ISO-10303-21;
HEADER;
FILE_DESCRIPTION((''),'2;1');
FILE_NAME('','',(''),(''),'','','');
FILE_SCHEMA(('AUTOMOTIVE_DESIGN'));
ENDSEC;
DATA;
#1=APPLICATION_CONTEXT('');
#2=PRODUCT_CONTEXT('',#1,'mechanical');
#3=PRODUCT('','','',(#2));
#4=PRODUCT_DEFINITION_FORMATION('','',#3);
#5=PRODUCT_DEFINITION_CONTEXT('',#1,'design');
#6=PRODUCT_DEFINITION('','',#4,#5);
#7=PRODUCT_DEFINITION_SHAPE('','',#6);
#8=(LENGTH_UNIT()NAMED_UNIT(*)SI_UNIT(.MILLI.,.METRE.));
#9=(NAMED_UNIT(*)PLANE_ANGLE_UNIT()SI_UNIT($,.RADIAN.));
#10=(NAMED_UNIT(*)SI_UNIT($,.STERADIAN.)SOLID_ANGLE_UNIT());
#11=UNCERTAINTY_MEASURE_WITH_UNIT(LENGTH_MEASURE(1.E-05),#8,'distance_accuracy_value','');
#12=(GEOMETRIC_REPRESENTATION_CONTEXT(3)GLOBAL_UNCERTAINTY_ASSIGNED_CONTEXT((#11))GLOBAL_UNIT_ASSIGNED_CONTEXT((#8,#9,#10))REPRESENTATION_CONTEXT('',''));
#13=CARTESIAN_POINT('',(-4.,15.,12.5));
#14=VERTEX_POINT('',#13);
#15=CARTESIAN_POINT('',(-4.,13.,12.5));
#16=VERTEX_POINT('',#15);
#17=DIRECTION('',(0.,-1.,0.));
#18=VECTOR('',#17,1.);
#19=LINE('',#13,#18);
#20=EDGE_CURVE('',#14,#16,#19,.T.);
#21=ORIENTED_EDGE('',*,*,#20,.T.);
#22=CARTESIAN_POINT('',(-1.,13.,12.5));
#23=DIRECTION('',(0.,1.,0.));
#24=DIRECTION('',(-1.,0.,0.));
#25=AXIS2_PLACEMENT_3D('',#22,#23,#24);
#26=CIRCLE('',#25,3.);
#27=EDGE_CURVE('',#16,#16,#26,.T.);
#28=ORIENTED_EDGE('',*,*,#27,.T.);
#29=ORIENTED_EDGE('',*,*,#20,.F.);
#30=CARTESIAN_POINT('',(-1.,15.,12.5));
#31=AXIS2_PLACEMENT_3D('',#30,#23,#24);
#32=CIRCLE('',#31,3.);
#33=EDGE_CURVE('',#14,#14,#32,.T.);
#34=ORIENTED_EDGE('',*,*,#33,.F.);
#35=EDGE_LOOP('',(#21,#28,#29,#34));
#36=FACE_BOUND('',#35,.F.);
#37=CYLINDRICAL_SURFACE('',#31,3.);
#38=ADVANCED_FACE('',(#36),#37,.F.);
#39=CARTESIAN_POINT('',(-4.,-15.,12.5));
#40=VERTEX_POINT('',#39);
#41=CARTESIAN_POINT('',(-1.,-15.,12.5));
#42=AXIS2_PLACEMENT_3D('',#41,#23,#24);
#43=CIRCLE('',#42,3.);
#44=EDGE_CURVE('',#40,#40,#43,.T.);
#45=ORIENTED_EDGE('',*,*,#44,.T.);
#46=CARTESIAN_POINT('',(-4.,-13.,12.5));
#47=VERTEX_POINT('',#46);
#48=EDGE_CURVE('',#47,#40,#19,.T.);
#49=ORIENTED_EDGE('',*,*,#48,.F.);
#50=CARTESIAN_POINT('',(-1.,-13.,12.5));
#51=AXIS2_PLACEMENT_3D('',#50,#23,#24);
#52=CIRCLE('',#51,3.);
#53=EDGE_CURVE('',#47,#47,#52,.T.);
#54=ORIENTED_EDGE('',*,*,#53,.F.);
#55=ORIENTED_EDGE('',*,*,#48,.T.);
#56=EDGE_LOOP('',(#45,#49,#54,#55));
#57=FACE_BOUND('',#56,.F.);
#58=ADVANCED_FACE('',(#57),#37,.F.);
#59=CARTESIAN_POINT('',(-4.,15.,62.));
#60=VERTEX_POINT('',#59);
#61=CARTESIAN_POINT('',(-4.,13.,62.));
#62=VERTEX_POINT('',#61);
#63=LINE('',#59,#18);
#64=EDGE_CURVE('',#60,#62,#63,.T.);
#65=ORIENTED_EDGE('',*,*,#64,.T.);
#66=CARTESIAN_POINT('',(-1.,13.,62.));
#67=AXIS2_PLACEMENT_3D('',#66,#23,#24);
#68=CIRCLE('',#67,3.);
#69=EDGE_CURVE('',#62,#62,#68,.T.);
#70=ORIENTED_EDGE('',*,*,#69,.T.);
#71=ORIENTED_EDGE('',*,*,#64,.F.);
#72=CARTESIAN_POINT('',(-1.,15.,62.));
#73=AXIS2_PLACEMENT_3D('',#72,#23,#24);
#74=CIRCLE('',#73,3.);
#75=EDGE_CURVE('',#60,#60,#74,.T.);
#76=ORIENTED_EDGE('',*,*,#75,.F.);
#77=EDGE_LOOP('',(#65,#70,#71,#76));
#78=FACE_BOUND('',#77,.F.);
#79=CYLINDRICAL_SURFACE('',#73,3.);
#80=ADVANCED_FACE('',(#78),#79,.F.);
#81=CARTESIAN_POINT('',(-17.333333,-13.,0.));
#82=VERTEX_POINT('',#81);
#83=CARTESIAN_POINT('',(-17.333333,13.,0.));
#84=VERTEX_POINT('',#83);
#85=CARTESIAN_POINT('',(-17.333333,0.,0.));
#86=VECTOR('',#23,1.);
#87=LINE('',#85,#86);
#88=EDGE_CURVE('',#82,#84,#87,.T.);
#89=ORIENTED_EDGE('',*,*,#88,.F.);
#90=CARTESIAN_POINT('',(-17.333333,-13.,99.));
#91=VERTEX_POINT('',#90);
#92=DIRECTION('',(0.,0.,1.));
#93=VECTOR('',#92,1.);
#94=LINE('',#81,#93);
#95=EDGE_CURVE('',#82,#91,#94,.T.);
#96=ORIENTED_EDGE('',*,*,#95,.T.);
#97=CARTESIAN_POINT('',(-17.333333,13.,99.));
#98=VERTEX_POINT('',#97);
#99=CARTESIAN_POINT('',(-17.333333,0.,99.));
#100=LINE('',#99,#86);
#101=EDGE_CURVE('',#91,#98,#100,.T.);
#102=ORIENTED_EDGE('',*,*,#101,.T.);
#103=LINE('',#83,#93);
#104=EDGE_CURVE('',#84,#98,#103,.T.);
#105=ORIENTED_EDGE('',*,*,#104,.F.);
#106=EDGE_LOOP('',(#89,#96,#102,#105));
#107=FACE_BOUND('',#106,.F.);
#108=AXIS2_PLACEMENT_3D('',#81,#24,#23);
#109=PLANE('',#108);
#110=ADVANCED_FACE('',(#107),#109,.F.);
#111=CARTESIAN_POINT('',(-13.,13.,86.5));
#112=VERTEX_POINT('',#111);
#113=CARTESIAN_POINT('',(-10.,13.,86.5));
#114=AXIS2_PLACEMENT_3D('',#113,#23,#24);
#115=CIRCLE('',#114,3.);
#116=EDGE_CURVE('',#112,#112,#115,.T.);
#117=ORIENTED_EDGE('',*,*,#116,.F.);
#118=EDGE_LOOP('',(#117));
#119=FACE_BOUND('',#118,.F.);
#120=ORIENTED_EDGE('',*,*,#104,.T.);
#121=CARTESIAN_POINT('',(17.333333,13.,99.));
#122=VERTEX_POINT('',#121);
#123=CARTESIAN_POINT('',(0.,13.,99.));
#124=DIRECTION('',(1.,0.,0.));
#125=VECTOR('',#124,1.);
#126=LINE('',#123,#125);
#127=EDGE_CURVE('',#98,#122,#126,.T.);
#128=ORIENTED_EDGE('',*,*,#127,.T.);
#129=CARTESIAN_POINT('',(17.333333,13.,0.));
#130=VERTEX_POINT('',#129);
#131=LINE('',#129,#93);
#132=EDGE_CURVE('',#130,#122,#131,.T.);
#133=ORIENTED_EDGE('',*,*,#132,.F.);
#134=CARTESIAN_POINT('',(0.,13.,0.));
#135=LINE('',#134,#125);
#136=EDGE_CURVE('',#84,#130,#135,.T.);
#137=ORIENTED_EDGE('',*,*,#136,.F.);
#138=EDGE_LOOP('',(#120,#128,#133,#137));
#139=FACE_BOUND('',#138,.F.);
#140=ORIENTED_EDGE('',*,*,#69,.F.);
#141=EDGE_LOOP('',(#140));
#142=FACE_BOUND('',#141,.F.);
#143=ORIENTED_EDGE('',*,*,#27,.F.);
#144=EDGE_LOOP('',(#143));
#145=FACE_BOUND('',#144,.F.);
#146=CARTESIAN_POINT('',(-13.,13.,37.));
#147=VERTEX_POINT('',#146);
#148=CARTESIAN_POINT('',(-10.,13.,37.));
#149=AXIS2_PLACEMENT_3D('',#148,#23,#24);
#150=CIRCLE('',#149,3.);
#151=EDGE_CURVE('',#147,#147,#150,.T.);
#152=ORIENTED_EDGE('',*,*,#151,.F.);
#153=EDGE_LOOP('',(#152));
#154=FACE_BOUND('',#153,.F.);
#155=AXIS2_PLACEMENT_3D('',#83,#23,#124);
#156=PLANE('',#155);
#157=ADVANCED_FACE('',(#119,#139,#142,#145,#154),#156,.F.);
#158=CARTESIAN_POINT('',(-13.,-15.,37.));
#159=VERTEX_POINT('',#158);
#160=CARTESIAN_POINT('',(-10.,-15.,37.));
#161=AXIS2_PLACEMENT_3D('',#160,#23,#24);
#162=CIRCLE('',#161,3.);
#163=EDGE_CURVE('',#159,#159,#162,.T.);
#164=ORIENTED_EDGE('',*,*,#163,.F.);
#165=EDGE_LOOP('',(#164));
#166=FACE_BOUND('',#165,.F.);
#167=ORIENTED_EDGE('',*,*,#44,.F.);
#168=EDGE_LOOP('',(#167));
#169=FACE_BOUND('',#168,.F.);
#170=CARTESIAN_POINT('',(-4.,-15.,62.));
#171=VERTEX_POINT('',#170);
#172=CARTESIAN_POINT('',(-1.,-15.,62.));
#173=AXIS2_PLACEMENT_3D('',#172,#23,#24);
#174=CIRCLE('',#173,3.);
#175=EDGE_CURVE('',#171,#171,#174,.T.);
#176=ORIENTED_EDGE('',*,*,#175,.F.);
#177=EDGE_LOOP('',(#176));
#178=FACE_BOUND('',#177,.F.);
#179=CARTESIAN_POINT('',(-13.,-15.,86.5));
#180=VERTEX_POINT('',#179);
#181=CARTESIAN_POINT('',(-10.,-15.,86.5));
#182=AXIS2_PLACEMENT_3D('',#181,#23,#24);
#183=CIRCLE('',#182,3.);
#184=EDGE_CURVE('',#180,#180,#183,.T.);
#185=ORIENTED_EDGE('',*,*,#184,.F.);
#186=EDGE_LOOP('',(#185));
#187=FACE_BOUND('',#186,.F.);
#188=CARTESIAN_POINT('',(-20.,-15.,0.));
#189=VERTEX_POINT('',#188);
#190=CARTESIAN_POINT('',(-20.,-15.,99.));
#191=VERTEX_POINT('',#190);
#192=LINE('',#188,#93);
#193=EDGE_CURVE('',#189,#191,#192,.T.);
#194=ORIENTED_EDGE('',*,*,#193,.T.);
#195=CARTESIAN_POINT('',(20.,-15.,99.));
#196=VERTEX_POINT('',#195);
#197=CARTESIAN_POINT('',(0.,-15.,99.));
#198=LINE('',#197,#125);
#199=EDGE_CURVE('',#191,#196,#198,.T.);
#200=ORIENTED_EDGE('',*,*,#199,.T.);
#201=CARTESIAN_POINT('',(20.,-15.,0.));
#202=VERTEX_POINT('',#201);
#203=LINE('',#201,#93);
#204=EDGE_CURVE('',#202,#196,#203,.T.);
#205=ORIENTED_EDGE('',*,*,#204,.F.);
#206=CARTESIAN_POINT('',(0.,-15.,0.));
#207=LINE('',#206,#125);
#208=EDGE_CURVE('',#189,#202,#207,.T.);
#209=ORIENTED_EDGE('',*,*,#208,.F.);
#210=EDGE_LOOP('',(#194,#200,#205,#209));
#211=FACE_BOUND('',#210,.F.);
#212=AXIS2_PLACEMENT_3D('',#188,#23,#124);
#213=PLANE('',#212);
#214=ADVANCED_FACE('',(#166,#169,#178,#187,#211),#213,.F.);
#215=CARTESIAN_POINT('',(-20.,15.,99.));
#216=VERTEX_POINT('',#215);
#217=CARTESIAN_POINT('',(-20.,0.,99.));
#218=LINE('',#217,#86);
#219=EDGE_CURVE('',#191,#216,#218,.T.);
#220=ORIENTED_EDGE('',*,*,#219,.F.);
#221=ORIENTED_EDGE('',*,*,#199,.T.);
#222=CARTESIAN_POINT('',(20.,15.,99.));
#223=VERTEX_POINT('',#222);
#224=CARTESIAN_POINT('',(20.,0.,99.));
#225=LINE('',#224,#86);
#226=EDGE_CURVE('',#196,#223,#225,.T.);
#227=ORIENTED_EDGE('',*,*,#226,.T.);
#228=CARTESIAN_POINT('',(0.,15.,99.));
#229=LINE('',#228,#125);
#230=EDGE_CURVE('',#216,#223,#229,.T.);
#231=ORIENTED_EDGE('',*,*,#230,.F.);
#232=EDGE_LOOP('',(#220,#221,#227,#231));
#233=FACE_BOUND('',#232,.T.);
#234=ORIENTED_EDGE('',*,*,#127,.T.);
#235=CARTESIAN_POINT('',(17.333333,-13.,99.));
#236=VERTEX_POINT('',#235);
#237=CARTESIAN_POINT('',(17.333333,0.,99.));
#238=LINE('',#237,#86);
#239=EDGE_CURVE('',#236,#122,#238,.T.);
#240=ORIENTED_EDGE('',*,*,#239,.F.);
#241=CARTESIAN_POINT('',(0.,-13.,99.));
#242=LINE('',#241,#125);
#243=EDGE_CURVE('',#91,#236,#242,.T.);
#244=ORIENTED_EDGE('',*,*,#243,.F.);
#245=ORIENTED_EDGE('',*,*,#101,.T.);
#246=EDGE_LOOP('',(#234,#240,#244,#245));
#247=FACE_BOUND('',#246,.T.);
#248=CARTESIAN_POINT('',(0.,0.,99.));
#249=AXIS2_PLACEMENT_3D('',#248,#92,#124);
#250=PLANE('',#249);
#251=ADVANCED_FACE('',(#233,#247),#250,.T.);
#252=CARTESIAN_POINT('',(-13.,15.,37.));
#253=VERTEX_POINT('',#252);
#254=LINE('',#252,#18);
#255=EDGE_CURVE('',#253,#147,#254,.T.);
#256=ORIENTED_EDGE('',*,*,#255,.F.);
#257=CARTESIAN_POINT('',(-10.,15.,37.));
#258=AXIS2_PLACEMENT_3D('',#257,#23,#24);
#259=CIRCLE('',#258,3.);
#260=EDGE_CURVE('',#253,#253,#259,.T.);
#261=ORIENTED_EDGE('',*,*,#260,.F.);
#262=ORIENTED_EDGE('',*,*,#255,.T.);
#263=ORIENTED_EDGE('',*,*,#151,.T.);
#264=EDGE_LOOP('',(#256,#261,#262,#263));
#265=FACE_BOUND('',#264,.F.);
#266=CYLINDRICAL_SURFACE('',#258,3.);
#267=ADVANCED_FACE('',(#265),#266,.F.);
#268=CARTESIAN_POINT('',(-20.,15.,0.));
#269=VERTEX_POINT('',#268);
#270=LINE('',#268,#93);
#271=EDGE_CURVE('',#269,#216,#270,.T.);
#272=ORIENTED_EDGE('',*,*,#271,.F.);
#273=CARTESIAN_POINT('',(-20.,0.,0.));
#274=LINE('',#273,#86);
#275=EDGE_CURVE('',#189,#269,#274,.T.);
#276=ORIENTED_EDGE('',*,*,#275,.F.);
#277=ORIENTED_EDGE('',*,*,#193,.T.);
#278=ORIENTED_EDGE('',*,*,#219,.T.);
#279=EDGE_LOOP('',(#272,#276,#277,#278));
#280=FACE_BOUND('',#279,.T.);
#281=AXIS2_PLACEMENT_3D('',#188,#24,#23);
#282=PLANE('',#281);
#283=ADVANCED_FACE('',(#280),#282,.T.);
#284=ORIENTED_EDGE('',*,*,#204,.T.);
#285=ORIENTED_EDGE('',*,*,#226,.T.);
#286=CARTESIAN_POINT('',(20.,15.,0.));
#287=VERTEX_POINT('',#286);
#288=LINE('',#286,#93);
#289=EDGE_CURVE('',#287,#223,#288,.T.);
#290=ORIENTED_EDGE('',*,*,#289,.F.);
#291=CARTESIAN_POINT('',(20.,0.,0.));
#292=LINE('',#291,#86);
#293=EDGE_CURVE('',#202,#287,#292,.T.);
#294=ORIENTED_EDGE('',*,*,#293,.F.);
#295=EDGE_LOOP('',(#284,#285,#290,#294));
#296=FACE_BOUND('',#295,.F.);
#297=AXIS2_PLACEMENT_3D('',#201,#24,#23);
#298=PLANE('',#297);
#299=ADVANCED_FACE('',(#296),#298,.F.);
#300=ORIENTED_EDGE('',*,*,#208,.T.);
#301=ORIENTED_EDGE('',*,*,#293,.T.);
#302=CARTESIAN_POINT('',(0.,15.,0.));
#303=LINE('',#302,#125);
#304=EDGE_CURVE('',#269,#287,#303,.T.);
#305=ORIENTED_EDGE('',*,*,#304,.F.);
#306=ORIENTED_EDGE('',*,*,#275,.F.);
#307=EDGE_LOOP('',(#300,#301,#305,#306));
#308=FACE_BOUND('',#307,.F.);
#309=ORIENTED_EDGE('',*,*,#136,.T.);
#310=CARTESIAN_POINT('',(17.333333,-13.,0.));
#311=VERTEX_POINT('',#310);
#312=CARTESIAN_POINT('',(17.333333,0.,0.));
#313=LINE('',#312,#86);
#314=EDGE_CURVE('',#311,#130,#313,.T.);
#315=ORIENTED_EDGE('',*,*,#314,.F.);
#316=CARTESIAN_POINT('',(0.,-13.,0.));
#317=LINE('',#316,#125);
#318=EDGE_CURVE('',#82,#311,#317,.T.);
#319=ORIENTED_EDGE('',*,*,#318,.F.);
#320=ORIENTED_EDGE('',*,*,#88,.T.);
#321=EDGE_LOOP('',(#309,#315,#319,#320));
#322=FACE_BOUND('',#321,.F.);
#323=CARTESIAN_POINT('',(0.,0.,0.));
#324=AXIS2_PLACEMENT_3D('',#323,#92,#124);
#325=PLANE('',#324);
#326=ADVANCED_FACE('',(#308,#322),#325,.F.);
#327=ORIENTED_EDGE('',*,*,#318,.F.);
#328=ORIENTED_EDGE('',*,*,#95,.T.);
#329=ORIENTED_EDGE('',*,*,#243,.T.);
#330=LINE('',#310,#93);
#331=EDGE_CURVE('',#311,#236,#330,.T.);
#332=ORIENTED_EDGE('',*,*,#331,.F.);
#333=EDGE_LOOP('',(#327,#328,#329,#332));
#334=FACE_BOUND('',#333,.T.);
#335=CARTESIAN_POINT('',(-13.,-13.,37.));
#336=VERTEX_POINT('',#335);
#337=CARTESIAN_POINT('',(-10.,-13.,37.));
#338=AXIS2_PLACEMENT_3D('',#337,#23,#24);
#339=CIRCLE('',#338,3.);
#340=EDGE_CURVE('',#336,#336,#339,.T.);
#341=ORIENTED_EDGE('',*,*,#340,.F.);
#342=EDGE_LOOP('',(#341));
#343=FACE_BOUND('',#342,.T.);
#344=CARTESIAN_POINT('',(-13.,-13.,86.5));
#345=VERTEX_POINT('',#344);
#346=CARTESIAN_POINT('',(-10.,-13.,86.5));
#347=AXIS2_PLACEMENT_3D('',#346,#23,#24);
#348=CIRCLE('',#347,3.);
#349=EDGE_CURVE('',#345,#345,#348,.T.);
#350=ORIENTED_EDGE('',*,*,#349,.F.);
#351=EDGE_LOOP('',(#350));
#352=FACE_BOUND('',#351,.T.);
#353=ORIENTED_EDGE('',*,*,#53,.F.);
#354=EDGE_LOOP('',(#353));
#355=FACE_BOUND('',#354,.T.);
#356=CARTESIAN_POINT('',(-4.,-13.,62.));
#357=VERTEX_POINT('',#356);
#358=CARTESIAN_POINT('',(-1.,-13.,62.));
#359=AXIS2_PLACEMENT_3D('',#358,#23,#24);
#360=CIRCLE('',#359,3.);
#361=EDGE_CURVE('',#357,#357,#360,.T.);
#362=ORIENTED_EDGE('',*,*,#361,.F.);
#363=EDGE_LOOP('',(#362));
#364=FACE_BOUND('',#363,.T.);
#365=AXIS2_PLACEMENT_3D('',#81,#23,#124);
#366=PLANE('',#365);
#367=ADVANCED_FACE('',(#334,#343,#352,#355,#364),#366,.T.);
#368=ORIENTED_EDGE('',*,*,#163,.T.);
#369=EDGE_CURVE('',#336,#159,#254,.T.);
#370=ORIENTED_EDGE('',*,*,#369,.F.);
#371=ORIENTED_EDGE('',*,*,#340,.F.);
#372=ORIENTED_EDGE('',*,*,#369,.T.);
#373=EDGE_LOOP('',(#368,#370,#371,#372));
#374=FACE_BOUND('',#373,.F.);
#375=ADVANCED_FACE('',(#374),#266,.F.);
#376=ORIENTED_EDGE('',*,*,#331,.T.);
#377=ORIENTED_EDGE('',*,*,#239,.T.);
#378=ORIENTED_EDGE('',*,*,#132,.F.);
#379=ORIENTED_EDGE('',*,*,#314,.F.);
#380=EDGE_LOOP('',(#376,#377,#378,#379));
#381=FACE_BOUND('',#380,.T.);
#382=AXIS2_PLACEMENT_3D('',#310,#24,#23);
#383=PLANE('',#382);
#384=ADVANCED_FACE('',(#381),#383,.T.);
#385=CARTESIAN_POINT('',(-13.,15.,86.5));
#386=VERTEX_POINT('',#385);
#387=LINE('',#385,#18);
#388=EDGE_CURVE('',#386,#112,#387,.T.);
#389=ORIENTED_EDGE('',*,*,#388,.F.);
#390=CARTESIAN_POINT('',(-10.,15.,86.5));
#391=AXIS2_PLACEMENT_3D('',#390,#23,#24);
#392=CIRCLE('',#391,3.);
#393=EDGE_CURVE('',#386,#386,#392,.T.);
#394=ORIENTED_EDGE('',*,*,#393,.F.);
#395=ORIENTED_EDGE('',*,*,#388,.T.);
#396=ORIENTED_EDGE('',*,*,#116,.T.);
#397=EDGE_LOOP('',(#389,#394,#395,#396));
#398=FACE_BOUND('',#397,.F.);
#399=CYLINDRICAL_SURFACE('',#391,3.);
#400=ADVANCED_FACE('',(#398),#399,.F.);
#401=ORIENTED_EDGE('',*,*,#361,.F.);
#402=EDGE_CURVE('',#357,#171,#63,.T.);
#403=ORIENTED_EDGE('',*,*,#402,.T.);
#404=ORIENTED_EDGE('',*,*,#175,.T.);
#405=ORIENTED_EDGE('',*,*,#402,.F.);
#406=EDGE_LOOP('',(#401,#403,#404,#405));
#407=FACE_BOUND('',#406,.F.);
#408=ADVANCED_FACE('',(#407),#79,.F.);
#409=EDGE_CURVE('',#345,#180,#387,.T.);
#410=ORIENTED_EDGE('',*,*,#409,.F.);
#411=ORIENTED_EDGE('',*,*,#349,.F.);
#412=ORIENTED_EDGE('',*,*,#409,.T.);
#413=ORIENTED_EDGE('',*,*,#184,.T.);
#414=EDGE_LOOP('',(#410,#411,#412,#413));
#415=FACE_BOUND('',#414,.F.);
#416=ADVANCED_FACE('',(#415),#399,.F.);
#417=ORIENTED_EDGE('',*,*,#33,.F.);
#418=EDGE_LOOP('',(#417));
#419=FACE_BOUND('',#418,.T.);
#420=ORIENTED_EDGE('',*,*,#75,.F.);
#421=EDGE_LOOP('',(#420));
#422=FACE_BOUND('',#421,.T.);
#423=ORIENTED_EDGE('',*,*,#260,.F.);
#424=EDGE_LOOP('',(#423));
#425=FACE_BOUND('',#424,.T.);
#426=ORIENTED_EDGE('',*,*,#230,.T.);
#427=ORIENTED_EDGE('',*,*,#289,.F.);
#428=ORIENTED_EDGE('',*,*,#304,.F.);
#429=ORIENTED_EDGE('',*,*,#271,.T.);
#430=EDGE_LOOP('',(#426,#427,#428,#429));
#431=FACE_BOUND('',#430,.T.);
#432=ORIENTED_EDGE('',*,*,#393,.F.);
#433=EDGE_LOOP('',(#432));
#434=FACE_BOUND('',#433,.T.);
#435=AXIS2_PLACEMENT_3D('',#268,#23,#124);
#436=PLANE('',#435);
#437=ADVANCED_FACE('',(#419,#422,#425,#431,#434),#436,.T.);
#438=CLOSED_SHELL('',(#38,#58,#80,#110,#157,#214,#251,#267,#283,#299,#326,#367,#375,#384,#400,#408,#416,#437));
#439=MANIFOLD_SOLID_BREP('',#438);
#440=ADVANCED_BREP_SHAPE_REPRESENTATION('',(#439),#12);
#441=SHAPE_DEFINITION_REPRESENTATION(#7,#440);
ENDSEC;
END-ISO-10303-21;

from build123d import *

# Parameters (mm, degrees)
SKETCH_1_W          = 40
SKETCH_1_H          = 30
SKETCH_1_W_2        = 34.666666666
SKETCH_1_H_2        = 26
EXTRUDE_1_DEPTH     = 99
SKETCH_3_R          = 3
CUT_EXTRUDE_1_DEPTH = 106.361283212


with BuildPart() as part:
    # 草图1 → 凸台-拉伸1 (new body)
    with BuildSketch(Plane.XY):
        Rectangle(SKETCH_1_W, SKETCH_1_H)
        Rectangle(SKETCH_1_W_2, SKETCH_1_H_2, mode=Mode.SUBTRACT)
    extrude(amount=EXTRUDE_1_DEPTH)

    # 草图3 → 切除-拉伸1 (cut, through all)
    with BuildSketch(Plane(origin=(0, 15, 0), x_dir=(1, 0, 0), z_dir=(0, 1, 0))):
        with Locations(Location((-10, -86.5, 0), (0, 0, 180))):
            Circle(SKETCH_3_R)
        with Locations(Location((-1, -62, 0), (0, 0, 180))):
            Circle(SKETCH_3_R)
        with Locations(Location((-10, -37, 0), (0, 0, 180))):
            Circle(SKETCH_3_R)
        with Locations(Location((-1, -12.5, 0), (0, 0, 180))):
            Circle(SKETCH_3_R)
    extrude(amount=-CUT_EXTRUDE_1_DEPTH, mode=Mode.SUBTRACT)


solid = part.part
